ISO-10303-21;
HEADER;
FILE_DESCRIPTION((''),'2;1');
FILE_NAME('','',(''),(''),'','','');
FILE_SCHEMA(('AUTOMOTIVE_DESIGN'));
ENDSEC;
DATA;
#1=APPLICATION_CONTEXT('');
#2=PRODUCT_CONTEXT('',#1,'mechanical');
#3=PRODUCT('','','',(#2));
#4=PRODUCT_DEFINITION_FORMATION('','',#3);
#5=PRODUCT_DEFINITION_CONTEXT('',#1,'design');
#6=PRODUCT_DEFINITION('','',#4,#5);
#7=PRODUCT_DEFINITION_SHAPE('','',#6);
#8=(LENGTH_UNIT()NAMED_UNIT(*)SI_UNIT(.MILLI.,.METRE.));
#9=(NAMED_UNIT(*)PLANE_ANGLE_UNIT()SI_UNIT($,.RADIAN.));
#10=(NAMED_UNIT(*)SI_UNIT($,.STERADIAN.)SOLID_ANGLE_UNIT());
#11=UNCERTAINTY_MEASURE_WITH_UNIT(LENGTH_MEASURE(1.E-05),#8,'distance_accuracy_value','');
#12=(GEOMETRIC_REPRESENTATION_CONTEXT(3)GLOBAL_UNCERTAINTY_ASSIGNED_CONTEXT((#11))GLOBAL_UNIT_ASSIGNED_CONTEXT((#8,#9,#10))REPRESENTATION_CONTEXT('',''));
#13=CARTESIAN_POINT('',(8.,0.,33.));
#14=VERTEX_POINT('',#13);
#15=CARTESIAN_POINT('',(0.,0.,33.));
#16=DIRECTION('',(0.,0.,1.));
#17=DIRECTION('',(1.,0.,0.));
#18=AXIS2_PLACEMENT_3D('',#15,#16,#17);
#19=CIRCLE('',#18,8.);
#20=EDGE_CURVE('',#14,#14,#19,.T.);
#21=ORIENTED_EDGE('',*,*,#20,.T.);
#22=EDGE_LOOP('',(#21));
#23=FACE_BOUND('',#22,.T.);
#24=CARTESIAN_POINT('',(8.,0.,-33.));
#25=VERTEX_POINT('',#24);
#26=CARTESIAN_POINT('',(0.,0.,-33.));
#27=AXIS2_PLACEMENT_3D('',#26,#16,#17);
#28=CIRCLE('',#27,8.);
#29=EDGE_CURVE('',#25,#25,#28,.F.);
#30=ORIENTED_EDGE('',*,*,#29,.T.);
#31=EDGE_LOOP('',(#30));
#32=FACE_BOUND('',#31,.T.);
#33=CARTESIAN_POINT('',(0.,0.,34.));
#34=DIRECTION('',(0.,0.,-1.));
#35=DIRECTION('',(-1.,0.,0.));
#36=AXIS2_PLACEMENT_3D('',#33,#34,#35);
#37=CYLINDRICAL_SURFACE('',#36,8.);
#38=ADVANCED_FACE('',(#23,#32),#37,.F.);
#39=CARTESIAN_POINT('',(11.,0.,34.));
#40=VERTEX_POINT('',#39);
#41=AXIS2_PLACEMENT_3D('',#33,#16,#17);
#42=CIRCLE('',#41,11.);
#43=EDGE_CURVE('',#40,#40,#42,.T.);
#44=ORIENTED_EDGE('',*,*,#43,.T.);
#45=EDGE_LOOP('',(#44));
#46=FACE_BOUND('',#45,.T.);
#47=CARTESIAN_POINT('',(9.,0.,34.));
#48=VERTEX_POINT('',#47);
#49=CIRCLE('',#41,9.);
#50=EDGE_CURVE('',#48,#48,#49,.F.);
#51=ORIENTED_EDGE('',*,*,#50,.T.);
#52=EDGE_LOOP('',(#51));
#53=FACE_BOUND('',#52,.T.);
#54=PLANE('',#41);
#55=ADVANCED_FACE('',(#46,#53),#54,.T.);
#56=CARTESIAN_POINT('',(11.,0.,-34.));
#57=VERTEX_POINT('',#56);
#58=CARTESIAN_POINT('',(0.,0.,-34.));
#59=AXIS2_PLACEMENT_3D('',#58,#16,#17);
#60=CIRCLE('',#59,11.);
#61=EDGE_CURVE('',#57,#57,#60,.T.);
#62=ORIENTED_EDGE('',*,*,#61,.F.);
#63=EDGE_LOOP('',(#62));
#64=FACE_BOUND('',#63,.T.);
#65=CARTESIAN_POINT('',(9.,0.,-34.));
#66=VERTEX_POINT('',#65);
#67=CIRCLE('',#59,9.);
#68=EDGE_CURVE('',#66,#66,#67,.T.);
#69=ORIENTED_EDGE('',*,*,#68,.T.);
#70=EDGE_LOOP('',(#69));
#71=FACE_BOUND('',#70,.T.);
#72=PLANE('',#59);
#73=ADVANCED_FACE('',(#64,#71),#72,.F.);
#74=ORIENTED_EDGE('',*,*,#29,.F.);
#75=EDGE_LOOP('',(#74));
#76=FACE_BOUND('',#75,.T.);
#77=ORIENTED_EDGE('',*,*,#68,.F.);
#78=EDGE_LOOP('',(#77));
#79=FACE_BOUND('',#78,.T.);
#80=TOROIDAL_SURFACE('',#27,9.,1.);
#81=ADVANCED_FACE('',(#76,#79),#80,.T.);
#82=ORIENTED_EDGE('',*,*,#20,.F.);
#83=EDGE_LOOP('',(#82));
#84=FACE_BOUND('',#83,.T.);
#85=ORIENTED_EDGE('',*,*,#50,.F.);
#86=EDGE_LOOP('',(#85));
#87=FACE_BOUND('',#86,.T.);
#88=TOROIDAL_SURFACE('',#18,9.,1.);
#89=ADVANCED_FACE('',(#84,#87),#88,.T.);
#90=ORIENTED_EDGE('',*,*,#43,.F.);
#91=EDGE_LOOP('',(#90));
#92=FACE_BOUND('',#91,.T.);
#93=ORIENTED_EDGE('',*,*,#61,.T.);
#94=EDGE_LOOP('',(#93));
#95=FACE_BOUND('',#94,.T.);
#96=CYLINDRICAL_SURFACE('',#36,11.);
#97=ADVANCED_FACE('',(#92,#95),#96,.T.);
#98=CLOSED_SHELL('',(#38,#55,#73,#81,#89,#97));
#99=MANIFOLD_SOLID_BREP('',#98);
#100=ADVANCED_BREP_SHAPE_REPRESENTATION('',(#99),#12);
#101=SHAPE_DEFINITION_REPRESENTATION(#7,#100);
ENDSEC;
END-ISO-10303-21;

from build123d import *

# Parameters (mm, degrees)
SKETCH1_R           = 11
SKETCH1_R_2         = 8
BOSS_EXTRUDE1_DEPTH = 34
FILLET1_R           = 1


with BuildPart() as part:
    # Sketch1 → Boss-Extrude1 (new body, symmetric)
    with BuildSketch(Plane.XY):
        Circle(SKETCH1_R)
        Circle(SKETCH1_R_2, mode=Mode.SUBTRACT)
    extrude(amount=BOSS_EXTRUDE1_DEPTH, both=True)

    # Fillet1
    fillet1_edges = [part.edges().sort_by_distance(p)[0] for p in [
        (-8, 0, -34),
        (-8, 0, 34),
    ]]
    fillet(fillet1_edges, radius=FILLET1_R)


solid = part.part
